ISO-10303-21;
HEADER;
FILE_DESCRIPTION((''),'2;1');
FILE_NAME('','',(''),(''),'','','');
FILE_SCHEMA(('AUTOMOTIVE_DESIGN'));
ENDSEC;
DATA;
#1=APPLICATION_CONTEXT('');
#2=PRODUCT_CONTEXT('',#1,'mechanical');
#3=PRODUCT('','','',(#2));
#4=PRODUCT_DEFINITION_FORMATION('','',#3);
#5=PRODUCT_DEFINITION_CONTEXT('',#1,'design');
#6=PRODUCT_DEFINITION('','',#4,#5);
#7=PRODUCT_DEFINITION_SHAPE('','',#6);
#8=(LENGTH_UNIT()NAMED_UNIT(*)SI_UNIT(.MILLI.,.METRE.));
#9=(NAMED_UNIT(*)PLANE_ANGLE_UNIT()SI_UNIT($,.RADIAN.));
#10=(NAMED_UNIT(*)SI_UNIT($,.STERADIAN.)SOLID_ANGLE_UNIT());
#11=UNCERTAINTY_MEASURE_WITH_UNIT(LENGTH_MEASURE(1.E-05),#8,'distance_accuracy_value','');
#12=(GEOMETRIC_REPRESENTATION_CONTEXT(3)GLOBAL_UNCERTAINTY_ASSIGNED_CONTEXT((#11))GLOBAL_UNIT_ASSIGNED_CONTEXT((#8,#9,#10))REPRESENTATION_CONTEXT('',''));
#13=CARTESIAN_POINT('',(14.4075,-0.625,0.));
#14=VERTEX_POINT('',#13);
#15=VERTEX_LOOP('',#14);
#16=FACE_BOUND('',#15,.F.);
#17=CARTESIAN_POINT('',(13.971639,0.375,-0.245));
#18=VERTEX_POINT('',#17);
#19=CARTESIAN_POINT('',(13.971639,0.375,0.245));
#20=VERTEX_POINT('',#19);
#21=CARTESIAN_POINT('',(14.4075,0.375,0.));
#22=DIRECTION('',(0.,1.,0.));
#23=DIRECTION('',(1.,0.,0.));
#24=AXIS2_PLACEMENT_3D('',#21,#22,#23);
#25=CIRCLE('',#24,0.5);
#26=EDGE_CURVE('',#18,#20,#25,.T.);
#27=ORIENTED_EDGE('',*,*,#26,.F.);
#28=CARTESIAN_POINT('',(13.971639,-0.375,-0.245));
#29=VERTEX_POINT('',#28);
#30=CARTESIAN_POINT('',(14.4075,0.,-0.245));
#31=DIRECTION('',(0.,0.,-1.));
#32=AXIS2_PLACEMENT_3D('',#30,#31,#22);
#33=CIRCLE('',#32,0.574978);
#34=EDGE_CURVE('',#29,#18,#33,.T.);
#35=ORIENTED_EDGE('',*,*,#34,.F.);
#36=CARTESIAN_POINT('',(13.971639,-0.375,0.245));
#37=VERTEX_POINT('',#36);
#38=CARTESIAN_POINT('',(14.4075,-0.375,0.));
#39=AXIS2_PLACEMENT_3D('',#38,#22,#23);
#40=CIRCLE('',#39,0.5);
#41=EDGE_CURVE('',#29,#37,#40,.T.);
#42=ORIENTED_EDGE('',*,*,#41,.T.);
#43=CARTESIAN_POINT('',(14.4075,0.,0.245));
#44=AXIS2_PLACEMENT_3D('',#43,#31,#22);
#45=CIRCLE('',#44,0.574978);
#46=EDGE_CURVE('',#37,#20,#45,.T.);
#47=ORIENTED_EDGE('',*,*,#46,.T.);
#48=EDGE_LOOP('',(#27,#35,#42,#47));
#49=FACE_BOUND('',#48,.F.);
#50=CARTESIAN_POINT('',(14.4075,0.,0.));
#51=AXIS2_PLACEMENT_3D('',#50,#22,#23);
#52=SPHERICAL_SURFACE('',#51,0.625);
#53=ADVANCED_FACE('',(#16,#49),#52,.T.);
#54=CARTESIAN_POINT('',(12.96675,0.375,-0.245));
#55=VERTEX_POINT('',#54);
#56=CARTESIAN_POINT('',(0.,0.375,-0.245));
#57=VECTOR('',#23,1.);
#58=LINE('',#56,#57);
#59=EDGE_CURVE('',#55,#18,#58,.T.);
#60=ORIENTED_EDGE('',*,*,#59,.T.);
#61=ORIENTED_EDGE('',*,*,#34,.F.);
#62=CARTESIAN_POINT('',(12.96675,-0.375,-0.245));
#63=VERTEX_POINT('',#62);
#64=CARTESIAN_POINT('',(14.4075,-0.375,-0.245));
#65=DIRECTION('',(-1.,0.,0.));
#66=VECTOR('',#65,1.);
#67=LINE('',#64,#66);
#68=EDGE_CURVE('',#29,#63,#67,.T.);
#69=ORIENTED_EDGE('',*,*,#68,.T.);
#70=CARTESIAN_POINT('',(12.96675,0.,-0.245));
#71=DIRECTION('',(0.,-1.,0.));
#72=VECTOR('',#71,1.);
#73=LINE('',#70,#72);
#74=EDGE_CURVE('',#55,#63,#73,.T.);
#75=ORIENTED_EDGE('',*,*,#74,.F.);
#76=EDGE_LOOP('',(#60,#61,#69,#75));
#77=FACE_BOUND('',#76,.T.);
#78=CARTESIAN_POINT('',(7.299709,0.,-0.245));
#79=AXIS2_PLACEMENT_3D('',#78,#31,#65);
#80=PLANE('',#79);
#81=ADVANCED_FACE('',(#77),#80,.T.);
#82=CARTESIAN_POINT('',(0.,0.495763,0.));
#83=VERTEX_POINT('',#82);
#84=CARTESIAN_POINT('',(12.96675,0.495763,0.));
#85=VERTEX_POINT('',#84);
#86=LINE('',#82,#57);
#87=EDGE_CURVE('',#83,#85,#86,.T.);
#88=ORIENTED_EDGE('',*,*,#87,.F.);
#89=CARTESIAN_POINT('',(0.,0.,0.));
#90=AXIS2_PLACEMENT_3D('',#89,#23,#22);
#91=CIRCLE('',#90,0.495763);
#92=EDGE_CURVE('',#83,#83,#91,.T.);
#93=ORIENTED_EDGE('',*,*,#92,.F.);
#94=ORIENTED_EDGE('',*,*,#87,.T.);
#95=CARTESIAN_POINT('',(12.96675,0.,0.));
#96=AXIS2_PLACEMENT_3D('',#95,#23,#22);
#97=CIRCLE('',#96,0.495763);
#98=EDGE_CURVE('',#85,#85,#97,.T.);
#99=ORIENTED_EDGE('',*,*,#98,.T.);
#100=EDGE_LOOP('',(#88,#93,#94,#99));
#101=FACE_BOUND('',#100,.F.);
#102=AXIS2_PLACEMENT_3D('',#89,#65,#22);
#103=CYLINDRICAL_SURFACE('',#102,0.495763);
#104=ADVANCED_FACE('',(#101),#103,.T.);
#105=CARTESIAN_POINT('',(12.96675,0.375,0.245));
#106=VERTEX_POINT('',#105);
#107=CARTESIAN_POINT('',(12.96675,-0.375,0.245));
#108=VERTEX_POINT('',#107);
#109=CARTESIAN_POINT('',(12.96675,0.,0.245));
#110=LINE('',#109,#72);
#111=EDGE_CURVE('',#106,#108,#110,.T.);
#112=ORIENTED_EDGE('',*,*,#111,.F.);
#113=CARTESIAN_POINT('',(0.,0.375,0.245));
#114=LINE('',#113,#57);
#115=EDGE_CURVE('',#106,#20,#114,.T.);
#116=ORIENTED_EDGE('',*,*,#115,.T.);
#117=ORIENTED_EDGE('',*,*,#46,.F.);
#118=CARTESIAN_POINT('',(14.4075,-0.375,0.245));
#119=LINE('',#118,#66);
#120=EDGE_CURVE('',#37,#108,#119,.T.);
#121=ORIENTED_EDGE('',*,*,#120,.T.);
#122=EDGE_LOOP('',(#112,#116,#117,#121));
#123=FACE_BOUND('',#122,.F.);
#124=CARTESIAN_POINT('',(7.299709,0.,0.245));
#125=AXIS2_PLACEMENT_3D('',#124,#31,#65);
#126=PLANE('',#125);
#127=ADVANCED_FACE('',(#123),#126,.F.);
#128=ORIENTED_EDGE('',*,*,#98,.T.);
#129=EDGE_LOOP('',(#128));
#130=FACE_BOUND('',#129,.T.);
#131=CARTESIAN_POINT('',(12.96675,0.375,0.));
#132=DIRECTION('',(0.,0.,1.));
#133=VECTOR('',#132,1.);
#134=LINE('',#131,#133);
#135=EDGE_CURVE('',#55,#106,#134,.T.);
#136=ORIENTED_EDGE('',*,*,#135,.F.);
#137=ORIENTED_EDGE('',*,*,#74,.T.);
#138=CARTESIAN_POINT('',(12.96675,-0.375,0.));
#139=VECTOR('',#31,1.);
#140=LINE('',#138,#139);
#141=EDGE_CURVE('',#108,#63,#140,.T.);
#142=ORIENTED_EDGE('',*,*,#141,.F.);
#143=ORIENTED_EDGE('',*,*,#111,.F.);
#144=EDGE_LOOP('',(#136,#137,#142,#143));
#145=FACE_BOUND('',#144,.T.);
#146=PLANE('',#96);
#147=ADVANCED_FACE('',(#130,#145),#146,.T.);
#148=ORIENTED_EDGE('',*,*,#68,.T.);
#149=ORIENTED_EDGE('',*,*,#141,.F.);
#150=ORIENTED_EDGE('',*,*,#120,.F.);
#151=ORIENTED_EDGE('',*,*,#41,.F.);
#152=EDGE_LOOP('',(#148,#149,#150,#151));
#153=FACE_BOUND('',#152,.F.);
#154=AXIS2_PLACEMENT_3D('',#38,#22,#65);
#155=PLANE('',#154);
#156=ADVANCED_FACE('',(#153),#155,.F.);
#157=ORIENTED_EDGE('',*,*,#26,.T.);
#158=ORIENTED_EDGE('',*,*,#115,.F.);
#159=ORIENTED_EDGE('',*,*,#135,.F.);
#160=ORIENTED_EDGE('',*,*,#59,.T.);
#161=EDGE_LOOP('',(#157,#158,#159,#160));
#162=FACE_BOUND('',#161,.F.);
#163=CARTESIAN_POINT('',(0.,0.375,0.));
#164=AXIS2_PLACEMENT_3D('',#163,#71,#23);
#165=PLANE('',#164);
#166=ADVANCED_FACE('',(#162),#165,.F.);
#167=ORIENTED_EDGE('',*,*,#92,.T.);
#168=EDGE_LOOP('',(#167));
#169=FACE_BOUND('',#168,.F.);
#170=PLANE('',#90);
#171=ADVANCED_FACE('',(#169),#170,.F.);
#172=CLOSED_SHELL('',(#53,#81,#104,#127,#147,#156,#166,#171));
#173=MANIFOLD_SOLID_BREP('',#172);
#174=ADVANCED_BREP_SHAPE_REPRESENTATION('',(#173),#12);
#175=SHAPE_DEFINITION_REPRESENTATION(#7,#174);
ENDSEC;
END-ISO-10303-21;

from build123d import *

# Parameters (mm, degrees)
PAD_DEPTH    = 0.245
SKETCH003_R  = 0.495763
PAD001_DEPTH = 12.96675


with BuildPart() as part:
    # Sketch → Pad (new body, symmetric)
    with BuildSketch(Plane.XY):
        with BuildLine():
            Line((0, 0.375), (14.4075, 0.375))
            ThreePointArc((14.4075, -0.375), (14.7825, 0), (14.4075, 0.375))
            Line((14.4075, -0.375), (0, -0.375))
            Line((0, 0), (0, -0.375))
            Line((0, 0.375), (0, 0))
        make_face()
    extrude(amount=PAD_DEPTH, both=True)

    # Sketch002 → Revolution001 (revolve)
    with BuildSketch(Plane.XY):
        with BuildLine():
            ThreePointArc((14.4075, -0.625), (15.0325, 0), (14.4075, 0.625))
            Line((14.4075, 0.625), (14.4075, 0))
            Line((14.4075, 0), (14.4075, -0.625))
        make_face()
    revolve(axis=Axis((14.4075, 0, 0), (0, -1, 0)))

    # Sketch003 → Pad001 (join)
    with BuildSketch(Plane.YZ):
        Circle(SKETCH003_R)
    extrude(amount=PAD001_DEPTH)


solid = part.part
